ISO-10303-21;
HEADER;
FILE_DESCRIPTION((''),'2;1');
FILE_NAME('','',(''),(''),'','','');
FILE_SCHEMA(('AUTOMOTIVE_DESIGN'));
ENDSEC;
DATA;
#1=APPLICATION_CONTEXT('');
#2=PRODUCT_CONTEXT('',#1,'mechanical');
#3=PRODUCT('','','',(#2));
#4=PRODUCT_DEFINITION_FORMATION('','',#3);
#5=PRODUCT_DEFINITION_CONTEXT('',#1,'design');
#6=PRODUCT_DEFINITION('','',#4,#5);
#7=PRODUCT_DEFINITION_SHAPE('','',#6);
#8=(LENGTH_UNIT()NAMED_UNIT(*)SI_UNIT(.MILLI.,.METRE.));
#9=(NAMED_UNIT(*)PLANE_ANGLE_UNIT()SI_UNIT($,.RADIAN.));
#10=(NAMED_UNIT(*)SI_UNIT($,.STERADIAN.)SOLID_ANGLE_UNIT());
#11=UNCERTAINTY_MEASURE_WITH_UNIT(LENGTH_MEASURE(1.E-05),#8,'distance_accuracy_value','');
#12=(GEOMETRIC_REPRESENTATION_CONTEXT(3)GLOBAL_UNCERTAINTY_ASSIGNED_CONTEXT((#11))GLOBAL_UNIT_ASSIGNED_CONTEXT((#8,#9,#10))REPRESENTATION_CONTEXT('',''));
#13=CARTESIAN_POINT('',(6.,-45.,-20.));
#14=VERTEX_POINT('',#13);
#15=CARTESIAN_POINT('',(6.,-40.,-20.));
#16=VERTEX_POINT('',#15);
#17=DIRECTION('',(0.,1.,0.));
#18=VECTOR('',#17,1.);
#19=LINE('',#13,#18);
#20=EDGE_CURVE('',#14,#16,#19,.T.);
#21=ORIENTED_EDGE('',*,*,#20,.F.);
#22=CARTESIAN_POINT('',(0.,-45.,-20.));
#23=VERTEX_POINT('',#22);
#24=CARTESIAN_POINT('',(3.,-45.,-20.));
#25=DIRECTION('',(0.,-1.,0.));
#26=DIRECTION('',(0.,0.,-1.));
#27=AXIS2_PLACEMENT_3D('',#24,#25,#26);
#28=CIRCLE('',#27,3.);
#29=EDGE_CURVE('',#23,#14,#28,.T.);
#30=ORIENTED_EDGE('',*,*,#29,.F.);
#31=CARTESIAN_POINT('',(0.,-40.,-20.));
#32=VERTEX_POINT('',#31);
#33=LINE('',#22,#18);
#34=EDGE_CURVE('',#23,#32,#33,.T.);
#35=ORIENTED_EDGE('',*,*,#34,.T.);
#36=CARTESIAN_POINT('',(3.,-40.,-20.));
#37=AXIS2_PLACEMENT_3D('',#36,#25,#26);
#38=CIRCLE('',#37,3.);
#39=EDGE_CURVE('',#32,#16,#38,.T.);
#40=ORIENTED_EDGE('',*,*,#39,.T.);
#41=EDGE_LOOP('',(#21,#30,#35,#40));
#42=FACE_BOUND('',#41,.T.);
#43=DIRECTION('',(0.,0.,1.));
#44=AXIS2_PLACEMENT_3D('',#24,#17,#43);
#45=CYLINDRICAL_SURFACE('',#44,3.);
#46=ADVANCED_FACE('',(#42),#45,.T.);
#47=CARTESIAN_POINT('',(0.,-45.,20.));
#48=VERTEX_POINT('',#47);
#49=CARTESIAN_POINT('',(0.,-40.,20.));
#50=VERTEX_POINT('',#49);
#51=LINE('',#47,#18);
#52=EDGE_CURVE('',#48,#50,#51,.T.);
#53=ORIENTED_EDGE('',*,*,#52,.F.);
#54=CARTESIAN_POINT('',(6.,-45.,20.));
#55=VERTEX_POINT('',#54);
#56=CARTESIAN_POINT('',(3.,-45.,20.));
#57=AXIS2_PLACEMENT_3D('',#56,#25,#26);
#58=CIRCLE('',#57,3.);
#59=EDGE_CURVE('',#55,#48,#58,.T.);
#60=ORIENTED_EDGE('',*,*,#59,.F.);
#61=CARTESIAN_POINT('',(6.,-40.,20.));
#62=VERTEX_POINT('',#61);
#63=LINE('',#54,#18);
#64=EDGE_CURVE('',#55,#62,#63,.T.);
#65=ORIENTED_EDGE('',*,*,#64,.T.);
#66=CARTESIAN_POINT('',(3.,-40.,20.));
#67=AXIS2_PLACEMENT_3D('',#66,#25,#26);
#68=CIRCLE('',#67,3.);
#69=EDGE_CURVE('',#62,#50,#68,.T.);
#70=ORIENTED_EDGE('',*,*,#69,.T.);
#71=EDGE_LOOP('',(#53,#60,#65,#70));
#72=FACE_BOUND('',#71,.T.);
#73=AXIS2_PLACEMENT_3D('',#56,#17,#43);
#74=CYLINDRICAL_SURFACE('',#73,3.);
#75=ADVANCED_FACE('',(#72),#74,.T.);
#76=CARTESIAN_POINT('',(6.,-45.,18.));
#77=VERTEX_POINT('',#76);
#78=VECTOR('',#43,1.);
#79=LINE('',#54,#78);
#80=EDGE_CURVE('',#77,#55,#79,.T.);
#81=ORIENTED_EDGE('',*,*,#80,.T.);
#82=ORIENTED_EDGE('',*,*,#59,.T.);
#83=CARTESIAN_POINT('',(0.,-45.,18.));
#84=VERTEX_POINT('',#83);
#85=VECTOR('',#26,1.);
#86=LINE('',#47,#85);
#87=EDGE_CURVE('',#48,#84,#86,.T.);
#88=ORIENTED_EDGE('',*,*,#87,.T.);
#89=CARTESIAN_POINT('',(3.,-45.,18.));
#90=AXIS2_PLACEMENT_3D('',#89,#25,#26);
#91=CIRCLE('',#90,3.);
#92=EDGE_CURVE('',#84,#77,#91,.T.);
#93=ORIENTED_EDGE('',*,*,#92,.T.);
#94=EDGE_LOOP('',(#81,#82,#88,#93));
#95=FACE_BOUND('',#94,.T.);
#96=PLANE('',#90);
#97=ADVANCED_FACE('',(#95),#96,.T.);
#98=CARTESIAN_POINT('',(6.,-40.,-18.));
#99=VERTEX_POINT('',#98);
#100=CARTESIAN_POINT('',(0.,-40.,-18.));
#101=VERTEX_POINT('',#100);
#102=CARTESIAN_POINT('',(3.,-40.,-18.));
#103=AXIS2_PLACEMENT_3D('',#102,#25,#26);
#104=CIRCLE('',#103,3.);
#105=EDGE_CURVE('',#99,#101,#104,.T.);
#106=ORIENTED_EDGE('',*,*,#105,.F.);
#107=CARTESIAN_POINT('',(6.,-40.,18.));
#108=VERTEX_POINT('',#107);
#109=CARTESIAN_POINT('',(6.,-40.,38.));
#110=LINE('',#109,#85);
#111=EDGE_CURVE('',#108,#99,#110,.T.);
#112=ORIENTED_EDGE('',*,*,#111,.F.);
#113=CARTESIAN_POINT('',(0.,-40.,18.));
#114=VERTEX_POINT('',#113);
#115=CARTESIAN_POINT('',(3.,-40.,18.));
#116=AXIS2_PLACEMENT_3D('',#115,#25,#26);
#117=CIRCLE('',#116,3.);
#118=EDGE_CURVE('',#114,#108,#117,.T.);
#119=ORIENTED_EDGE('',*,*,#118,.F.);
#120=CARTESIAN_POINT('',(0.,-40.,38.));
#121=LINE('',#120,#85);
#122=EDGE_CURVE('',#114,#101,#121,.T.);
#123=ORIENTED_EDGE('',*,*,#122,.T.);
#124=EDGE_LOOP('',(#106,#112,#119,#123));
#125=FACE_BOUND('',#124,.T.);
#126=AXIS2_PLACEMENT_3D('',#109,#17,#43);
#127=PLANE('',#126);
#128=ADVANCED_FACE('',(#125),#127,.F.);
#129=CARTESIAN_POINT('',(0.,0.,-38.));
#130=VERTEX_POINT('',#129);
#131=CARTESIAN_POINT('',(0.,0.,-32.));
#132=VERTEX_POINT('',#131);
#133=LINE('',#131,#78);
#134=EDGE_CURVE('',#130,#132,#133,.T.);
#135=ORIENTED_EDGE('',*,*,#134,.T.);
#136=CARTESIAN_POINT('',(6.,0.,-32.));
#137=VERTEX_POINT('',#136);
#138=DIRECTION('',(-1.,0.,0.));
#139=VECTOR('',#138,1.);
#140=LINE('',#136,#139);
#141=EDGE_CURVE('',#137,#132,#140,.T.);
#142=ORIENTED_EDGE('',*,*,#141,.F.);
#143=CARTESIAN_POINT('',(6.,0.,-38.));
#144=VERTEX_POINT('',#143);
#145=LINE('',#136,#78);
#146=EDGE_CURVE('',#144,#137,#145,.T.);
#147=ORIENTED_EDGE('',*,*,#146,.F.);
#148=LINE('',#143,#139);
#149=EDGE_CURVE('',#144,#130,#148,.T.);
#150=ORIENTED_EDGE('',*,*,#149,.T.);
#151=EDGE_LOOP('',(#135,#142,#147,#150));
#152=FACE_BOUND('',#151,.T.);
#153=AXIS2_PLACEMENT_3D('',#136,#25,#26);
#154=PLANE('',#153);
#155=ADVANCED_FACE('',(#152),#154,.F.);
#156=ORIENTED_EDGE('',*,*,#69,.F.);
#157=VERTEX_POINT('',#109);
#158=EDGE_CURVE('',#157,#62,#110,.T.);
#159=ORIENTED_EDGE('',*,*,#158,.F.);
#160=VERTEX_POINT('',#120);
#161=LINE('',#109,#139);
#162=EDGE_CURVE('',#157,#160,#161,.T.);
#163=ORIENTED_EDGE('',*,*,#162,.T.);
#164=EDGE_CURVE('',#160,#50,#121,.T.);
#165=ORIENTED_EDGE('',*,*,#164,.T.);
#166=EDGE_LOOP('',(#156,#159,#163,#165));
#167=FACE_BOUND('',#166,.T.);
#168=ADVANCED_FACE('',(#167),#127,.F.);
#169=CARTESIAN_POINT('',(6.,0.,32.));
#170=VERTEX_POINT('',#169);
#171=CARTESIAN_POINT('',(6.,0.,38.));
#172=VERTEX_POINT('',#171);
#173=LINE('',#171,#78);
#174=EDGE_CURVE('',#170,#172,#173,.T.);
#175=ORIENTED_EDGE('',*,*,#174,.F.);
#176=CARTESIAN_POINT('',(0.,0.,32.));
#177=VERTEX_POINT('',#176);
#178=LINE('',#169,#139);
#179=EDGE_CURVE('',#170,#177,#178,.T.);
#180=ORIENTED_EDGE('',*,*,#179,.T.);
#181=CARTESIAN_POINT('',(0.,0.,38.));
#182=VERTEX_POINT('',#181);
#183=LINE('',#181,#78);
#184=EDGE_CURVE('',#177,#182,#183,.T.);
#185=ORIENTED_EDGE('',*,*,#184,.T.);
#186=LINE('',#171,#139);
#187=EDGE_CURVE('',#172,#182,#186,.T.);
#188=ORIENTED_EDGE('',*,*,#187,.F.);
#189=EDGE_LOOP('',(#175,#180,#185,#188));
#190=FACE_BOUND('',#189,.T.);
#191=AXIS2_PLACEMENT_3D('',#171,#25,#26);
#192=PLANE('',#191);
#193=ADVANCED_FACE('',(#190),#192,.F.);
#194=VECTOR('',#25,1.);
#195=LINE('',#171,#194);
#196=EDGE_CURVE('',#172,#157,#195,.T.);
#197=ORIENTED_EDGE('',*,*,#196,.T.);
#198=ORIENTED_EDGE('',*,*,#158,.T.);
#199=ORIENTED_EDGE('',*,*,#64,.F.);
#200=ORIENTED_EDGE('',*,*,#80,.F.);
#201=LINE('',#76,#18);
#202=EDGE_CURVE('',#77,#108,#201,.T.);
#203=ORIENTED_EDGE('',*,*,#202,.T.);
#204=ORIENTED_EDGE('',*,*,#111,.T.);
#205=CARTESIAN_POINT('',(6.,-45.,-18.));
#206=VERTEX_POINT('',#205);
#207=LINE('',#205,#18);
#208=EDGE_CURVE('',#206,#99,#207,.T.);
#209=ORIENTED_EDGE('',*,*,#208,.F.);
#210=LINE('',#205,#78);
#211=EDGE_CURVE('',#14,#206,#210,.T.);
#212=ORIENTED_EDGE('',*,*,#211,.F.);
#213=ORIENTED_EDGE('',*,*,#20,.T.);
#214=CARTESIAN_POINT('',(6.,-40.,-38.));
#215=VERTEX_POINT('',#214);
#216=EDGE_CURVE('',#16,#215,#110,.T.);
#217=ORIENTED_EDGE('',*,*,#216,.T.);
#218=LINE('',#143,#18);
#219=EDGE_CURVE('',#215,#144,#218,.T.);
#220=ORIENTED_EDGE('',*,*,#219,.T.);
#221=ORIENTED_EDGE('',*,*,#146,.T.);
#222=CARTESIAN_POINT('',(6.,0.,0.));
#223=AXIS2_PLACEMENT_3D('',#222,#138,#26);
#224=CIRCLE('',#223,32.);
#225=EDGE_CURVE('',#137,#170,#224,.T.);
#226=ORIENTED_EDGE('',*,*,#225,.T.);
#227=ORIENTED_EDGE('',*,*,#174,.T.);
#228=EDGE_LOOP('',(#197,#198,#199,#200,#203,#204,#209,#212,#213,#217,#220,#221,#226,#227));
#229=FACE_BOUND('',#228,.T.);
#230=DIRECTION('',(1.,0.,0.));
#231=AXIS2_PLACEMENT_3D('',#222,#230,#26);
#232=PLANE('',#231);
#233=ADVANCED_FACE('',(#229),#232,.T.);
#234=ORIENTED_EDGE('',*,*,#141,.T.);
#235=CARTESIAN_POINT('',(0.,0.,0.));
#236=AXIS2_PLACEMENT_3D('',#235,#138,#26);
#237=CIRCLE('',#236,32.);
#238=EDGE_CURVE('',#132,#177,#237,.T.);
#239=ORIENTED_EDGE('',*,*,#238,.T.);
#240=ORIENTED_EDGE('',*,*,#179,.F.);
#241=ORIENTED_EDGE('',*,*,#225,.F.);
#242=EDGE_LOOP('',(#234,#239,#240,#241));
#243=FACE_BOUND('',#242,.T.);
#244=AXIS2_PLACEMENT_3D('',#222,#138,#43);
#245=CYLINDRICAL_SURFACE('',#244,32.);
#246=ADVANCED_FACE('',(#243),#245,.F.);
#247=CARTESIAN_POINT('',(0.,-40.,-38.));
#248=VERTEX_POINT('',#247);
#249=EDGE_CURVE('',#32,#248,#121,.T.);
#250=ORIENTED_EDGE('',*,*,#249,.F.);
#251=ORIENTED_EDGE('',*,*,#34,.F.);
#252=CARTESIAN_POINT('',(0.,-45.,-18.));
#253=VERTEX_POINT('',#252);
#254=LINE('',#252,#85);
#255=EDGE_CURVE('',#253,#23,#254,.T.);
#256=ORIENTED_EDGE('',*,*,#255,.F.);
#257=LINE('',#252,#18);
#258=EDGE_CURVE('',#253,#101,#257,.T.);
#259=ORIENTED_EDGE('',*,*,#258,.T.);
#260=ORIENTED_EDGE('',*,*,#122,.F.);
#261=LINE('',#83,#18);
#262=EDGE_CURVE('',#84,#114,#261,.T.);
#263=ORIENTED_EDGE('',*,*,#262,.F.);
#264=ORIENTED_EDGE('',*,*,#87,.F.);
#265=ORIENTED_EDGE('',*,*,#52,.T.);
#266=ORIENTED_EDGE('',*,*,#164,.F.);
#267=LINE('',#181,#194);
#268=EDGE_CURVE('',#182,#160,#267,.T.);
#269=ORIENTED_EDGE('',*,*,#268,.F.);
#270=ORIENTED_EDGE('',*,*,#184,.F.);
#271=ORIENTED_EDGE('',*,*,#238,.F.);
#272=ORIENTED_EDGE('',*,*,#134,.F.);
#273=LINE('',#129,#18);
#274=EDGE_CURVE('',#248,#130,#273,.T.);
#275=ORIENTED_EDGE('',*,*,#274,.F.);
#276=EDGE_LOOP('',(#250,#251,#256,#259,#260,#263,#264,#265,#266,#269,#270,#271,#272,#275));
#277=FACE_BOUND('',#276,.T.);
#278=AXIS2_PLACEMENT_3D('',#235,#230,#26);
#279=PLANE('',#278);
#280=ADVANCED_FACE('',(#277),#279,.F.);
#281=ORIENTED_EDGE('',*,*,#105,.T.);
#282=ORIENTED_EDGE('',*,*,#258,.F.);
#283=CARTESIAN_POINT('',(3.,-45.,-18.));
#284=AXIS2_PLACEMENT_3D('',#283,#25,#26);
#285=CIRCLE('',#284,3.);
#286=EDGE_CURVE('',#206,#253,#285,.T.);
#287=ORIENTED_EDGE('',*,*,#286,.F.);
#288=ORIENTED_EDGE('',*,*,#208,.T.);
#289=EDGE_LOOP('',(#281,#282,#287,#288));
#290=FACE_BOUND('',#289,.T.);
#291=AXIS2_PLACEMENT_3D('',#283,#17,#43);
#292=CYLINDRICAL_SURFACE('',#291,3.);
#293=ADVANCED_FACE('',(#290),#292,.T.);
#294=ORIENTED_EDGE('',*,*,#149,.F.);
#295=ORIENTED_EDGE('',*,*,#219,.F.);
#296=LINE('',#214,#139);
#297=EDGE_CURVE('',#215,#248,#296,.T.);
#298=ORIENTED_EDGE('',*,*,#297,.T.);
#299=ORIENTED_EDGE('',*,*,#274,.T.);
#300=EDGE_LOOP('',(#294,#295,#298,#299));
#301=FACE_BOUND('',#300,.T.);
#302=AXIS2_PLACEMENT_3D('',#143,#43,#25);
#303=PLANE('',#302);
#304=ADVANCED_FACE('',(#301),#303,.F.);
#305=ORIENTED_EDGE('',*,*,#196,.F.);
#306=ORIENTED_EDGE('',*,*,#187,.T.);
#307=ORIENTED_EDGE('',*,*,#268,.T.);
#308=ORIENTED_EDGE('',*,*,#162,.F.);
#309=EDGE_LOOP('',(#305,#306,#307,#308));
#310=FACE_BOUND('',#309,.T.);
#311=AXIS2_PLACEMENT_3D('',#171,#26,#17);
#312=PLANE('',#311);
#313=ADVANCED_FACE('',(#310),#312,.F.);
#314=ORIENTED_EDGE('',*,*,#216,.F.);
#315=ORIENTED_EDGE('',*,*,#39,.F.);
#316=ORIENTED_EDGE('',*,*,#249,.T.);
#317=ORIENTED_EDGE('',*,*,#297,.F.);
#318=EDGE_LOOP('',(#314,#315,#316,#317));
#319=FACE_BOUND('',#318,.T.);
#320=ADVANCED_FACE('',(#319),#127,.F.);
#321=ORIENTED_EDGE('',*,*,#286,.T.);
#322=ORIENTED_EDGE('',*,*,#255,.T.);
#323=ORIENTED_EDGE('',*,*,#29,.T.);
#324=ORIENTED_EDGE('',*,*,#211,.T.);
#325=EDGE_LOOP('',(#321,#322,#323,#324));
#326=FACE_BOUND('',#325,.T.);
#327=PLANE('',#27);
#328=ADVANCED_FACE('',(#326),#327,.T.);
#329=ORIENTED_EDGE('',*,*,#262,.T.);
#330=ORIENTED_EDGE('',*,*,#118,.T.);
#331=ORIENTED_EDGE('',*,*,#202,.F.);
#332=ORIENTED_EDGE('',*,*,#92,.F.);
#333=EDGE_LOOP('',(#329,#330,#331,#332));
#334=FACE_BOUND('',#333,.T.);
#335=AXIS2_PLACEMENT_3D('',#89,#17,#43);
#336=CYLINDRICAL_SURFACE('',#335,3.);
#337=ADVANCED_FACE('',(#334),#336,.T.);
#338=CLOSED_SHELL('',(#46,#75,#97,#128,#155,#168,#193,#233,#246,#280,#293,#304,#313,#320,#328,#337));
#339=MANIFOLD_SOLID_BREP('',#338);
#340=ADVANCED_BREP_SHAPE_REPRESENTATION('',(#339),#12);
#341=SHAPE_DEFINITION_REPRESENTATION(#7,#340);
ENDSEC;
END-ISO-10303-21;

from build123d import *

# Parameters (mm, degrees)
BOSS_EXTRUDE1_DEPTH = 6
BOSS_EXTRUDE2_DEPTH = 5


with BuildPart() as part:
    # Sketch1 → Boss-Extrude1 (new body)
    with BuildSketch(Plane(origin=(0, 0, 0), x_dir=(0, 0, -1), z_dir=(1, 0, 0))):
        with BuildLine():
            Line((-38, 0), (-32, 0))
            ThreePointArc((-32, 0), (0, -32), (32, 0))
            Line((32, 0), (38, 0))
            Line((38, 0), (38, -40))
            Line((38, -40), (-38, -40))
            Line((-38, -40), (-38, 0))
        make_face()
    extrude(amount=BOSS_EXTRUDE1_DEPTH)

    # Sketch3 → Boss-Extrude2 (add)
    with BuildSketch(Plane.XZ.offset(40)):
        with BuildLine():
            Line((0, 20), (0, 18))
            ThreePointArc((0, 18), (3, 15), (6, 18))
            Line((6, 18), (6, 20))
            ThreePointArc((6, 20), (3, 23), (0, 20))
        make_face()
        with BuildLine():
            Line((0, -18), (0, -20))
            ThreePointArc((0, -20), (3, -23), (6, -20))
            Line((6, -20), (6, -18))
            ThreePointArc((6, -18), (3, -15), (0, -18))
        make_face()
    extrude(amount=BOSS_EXTRUDE2_DEPTH)


solid = part.part
